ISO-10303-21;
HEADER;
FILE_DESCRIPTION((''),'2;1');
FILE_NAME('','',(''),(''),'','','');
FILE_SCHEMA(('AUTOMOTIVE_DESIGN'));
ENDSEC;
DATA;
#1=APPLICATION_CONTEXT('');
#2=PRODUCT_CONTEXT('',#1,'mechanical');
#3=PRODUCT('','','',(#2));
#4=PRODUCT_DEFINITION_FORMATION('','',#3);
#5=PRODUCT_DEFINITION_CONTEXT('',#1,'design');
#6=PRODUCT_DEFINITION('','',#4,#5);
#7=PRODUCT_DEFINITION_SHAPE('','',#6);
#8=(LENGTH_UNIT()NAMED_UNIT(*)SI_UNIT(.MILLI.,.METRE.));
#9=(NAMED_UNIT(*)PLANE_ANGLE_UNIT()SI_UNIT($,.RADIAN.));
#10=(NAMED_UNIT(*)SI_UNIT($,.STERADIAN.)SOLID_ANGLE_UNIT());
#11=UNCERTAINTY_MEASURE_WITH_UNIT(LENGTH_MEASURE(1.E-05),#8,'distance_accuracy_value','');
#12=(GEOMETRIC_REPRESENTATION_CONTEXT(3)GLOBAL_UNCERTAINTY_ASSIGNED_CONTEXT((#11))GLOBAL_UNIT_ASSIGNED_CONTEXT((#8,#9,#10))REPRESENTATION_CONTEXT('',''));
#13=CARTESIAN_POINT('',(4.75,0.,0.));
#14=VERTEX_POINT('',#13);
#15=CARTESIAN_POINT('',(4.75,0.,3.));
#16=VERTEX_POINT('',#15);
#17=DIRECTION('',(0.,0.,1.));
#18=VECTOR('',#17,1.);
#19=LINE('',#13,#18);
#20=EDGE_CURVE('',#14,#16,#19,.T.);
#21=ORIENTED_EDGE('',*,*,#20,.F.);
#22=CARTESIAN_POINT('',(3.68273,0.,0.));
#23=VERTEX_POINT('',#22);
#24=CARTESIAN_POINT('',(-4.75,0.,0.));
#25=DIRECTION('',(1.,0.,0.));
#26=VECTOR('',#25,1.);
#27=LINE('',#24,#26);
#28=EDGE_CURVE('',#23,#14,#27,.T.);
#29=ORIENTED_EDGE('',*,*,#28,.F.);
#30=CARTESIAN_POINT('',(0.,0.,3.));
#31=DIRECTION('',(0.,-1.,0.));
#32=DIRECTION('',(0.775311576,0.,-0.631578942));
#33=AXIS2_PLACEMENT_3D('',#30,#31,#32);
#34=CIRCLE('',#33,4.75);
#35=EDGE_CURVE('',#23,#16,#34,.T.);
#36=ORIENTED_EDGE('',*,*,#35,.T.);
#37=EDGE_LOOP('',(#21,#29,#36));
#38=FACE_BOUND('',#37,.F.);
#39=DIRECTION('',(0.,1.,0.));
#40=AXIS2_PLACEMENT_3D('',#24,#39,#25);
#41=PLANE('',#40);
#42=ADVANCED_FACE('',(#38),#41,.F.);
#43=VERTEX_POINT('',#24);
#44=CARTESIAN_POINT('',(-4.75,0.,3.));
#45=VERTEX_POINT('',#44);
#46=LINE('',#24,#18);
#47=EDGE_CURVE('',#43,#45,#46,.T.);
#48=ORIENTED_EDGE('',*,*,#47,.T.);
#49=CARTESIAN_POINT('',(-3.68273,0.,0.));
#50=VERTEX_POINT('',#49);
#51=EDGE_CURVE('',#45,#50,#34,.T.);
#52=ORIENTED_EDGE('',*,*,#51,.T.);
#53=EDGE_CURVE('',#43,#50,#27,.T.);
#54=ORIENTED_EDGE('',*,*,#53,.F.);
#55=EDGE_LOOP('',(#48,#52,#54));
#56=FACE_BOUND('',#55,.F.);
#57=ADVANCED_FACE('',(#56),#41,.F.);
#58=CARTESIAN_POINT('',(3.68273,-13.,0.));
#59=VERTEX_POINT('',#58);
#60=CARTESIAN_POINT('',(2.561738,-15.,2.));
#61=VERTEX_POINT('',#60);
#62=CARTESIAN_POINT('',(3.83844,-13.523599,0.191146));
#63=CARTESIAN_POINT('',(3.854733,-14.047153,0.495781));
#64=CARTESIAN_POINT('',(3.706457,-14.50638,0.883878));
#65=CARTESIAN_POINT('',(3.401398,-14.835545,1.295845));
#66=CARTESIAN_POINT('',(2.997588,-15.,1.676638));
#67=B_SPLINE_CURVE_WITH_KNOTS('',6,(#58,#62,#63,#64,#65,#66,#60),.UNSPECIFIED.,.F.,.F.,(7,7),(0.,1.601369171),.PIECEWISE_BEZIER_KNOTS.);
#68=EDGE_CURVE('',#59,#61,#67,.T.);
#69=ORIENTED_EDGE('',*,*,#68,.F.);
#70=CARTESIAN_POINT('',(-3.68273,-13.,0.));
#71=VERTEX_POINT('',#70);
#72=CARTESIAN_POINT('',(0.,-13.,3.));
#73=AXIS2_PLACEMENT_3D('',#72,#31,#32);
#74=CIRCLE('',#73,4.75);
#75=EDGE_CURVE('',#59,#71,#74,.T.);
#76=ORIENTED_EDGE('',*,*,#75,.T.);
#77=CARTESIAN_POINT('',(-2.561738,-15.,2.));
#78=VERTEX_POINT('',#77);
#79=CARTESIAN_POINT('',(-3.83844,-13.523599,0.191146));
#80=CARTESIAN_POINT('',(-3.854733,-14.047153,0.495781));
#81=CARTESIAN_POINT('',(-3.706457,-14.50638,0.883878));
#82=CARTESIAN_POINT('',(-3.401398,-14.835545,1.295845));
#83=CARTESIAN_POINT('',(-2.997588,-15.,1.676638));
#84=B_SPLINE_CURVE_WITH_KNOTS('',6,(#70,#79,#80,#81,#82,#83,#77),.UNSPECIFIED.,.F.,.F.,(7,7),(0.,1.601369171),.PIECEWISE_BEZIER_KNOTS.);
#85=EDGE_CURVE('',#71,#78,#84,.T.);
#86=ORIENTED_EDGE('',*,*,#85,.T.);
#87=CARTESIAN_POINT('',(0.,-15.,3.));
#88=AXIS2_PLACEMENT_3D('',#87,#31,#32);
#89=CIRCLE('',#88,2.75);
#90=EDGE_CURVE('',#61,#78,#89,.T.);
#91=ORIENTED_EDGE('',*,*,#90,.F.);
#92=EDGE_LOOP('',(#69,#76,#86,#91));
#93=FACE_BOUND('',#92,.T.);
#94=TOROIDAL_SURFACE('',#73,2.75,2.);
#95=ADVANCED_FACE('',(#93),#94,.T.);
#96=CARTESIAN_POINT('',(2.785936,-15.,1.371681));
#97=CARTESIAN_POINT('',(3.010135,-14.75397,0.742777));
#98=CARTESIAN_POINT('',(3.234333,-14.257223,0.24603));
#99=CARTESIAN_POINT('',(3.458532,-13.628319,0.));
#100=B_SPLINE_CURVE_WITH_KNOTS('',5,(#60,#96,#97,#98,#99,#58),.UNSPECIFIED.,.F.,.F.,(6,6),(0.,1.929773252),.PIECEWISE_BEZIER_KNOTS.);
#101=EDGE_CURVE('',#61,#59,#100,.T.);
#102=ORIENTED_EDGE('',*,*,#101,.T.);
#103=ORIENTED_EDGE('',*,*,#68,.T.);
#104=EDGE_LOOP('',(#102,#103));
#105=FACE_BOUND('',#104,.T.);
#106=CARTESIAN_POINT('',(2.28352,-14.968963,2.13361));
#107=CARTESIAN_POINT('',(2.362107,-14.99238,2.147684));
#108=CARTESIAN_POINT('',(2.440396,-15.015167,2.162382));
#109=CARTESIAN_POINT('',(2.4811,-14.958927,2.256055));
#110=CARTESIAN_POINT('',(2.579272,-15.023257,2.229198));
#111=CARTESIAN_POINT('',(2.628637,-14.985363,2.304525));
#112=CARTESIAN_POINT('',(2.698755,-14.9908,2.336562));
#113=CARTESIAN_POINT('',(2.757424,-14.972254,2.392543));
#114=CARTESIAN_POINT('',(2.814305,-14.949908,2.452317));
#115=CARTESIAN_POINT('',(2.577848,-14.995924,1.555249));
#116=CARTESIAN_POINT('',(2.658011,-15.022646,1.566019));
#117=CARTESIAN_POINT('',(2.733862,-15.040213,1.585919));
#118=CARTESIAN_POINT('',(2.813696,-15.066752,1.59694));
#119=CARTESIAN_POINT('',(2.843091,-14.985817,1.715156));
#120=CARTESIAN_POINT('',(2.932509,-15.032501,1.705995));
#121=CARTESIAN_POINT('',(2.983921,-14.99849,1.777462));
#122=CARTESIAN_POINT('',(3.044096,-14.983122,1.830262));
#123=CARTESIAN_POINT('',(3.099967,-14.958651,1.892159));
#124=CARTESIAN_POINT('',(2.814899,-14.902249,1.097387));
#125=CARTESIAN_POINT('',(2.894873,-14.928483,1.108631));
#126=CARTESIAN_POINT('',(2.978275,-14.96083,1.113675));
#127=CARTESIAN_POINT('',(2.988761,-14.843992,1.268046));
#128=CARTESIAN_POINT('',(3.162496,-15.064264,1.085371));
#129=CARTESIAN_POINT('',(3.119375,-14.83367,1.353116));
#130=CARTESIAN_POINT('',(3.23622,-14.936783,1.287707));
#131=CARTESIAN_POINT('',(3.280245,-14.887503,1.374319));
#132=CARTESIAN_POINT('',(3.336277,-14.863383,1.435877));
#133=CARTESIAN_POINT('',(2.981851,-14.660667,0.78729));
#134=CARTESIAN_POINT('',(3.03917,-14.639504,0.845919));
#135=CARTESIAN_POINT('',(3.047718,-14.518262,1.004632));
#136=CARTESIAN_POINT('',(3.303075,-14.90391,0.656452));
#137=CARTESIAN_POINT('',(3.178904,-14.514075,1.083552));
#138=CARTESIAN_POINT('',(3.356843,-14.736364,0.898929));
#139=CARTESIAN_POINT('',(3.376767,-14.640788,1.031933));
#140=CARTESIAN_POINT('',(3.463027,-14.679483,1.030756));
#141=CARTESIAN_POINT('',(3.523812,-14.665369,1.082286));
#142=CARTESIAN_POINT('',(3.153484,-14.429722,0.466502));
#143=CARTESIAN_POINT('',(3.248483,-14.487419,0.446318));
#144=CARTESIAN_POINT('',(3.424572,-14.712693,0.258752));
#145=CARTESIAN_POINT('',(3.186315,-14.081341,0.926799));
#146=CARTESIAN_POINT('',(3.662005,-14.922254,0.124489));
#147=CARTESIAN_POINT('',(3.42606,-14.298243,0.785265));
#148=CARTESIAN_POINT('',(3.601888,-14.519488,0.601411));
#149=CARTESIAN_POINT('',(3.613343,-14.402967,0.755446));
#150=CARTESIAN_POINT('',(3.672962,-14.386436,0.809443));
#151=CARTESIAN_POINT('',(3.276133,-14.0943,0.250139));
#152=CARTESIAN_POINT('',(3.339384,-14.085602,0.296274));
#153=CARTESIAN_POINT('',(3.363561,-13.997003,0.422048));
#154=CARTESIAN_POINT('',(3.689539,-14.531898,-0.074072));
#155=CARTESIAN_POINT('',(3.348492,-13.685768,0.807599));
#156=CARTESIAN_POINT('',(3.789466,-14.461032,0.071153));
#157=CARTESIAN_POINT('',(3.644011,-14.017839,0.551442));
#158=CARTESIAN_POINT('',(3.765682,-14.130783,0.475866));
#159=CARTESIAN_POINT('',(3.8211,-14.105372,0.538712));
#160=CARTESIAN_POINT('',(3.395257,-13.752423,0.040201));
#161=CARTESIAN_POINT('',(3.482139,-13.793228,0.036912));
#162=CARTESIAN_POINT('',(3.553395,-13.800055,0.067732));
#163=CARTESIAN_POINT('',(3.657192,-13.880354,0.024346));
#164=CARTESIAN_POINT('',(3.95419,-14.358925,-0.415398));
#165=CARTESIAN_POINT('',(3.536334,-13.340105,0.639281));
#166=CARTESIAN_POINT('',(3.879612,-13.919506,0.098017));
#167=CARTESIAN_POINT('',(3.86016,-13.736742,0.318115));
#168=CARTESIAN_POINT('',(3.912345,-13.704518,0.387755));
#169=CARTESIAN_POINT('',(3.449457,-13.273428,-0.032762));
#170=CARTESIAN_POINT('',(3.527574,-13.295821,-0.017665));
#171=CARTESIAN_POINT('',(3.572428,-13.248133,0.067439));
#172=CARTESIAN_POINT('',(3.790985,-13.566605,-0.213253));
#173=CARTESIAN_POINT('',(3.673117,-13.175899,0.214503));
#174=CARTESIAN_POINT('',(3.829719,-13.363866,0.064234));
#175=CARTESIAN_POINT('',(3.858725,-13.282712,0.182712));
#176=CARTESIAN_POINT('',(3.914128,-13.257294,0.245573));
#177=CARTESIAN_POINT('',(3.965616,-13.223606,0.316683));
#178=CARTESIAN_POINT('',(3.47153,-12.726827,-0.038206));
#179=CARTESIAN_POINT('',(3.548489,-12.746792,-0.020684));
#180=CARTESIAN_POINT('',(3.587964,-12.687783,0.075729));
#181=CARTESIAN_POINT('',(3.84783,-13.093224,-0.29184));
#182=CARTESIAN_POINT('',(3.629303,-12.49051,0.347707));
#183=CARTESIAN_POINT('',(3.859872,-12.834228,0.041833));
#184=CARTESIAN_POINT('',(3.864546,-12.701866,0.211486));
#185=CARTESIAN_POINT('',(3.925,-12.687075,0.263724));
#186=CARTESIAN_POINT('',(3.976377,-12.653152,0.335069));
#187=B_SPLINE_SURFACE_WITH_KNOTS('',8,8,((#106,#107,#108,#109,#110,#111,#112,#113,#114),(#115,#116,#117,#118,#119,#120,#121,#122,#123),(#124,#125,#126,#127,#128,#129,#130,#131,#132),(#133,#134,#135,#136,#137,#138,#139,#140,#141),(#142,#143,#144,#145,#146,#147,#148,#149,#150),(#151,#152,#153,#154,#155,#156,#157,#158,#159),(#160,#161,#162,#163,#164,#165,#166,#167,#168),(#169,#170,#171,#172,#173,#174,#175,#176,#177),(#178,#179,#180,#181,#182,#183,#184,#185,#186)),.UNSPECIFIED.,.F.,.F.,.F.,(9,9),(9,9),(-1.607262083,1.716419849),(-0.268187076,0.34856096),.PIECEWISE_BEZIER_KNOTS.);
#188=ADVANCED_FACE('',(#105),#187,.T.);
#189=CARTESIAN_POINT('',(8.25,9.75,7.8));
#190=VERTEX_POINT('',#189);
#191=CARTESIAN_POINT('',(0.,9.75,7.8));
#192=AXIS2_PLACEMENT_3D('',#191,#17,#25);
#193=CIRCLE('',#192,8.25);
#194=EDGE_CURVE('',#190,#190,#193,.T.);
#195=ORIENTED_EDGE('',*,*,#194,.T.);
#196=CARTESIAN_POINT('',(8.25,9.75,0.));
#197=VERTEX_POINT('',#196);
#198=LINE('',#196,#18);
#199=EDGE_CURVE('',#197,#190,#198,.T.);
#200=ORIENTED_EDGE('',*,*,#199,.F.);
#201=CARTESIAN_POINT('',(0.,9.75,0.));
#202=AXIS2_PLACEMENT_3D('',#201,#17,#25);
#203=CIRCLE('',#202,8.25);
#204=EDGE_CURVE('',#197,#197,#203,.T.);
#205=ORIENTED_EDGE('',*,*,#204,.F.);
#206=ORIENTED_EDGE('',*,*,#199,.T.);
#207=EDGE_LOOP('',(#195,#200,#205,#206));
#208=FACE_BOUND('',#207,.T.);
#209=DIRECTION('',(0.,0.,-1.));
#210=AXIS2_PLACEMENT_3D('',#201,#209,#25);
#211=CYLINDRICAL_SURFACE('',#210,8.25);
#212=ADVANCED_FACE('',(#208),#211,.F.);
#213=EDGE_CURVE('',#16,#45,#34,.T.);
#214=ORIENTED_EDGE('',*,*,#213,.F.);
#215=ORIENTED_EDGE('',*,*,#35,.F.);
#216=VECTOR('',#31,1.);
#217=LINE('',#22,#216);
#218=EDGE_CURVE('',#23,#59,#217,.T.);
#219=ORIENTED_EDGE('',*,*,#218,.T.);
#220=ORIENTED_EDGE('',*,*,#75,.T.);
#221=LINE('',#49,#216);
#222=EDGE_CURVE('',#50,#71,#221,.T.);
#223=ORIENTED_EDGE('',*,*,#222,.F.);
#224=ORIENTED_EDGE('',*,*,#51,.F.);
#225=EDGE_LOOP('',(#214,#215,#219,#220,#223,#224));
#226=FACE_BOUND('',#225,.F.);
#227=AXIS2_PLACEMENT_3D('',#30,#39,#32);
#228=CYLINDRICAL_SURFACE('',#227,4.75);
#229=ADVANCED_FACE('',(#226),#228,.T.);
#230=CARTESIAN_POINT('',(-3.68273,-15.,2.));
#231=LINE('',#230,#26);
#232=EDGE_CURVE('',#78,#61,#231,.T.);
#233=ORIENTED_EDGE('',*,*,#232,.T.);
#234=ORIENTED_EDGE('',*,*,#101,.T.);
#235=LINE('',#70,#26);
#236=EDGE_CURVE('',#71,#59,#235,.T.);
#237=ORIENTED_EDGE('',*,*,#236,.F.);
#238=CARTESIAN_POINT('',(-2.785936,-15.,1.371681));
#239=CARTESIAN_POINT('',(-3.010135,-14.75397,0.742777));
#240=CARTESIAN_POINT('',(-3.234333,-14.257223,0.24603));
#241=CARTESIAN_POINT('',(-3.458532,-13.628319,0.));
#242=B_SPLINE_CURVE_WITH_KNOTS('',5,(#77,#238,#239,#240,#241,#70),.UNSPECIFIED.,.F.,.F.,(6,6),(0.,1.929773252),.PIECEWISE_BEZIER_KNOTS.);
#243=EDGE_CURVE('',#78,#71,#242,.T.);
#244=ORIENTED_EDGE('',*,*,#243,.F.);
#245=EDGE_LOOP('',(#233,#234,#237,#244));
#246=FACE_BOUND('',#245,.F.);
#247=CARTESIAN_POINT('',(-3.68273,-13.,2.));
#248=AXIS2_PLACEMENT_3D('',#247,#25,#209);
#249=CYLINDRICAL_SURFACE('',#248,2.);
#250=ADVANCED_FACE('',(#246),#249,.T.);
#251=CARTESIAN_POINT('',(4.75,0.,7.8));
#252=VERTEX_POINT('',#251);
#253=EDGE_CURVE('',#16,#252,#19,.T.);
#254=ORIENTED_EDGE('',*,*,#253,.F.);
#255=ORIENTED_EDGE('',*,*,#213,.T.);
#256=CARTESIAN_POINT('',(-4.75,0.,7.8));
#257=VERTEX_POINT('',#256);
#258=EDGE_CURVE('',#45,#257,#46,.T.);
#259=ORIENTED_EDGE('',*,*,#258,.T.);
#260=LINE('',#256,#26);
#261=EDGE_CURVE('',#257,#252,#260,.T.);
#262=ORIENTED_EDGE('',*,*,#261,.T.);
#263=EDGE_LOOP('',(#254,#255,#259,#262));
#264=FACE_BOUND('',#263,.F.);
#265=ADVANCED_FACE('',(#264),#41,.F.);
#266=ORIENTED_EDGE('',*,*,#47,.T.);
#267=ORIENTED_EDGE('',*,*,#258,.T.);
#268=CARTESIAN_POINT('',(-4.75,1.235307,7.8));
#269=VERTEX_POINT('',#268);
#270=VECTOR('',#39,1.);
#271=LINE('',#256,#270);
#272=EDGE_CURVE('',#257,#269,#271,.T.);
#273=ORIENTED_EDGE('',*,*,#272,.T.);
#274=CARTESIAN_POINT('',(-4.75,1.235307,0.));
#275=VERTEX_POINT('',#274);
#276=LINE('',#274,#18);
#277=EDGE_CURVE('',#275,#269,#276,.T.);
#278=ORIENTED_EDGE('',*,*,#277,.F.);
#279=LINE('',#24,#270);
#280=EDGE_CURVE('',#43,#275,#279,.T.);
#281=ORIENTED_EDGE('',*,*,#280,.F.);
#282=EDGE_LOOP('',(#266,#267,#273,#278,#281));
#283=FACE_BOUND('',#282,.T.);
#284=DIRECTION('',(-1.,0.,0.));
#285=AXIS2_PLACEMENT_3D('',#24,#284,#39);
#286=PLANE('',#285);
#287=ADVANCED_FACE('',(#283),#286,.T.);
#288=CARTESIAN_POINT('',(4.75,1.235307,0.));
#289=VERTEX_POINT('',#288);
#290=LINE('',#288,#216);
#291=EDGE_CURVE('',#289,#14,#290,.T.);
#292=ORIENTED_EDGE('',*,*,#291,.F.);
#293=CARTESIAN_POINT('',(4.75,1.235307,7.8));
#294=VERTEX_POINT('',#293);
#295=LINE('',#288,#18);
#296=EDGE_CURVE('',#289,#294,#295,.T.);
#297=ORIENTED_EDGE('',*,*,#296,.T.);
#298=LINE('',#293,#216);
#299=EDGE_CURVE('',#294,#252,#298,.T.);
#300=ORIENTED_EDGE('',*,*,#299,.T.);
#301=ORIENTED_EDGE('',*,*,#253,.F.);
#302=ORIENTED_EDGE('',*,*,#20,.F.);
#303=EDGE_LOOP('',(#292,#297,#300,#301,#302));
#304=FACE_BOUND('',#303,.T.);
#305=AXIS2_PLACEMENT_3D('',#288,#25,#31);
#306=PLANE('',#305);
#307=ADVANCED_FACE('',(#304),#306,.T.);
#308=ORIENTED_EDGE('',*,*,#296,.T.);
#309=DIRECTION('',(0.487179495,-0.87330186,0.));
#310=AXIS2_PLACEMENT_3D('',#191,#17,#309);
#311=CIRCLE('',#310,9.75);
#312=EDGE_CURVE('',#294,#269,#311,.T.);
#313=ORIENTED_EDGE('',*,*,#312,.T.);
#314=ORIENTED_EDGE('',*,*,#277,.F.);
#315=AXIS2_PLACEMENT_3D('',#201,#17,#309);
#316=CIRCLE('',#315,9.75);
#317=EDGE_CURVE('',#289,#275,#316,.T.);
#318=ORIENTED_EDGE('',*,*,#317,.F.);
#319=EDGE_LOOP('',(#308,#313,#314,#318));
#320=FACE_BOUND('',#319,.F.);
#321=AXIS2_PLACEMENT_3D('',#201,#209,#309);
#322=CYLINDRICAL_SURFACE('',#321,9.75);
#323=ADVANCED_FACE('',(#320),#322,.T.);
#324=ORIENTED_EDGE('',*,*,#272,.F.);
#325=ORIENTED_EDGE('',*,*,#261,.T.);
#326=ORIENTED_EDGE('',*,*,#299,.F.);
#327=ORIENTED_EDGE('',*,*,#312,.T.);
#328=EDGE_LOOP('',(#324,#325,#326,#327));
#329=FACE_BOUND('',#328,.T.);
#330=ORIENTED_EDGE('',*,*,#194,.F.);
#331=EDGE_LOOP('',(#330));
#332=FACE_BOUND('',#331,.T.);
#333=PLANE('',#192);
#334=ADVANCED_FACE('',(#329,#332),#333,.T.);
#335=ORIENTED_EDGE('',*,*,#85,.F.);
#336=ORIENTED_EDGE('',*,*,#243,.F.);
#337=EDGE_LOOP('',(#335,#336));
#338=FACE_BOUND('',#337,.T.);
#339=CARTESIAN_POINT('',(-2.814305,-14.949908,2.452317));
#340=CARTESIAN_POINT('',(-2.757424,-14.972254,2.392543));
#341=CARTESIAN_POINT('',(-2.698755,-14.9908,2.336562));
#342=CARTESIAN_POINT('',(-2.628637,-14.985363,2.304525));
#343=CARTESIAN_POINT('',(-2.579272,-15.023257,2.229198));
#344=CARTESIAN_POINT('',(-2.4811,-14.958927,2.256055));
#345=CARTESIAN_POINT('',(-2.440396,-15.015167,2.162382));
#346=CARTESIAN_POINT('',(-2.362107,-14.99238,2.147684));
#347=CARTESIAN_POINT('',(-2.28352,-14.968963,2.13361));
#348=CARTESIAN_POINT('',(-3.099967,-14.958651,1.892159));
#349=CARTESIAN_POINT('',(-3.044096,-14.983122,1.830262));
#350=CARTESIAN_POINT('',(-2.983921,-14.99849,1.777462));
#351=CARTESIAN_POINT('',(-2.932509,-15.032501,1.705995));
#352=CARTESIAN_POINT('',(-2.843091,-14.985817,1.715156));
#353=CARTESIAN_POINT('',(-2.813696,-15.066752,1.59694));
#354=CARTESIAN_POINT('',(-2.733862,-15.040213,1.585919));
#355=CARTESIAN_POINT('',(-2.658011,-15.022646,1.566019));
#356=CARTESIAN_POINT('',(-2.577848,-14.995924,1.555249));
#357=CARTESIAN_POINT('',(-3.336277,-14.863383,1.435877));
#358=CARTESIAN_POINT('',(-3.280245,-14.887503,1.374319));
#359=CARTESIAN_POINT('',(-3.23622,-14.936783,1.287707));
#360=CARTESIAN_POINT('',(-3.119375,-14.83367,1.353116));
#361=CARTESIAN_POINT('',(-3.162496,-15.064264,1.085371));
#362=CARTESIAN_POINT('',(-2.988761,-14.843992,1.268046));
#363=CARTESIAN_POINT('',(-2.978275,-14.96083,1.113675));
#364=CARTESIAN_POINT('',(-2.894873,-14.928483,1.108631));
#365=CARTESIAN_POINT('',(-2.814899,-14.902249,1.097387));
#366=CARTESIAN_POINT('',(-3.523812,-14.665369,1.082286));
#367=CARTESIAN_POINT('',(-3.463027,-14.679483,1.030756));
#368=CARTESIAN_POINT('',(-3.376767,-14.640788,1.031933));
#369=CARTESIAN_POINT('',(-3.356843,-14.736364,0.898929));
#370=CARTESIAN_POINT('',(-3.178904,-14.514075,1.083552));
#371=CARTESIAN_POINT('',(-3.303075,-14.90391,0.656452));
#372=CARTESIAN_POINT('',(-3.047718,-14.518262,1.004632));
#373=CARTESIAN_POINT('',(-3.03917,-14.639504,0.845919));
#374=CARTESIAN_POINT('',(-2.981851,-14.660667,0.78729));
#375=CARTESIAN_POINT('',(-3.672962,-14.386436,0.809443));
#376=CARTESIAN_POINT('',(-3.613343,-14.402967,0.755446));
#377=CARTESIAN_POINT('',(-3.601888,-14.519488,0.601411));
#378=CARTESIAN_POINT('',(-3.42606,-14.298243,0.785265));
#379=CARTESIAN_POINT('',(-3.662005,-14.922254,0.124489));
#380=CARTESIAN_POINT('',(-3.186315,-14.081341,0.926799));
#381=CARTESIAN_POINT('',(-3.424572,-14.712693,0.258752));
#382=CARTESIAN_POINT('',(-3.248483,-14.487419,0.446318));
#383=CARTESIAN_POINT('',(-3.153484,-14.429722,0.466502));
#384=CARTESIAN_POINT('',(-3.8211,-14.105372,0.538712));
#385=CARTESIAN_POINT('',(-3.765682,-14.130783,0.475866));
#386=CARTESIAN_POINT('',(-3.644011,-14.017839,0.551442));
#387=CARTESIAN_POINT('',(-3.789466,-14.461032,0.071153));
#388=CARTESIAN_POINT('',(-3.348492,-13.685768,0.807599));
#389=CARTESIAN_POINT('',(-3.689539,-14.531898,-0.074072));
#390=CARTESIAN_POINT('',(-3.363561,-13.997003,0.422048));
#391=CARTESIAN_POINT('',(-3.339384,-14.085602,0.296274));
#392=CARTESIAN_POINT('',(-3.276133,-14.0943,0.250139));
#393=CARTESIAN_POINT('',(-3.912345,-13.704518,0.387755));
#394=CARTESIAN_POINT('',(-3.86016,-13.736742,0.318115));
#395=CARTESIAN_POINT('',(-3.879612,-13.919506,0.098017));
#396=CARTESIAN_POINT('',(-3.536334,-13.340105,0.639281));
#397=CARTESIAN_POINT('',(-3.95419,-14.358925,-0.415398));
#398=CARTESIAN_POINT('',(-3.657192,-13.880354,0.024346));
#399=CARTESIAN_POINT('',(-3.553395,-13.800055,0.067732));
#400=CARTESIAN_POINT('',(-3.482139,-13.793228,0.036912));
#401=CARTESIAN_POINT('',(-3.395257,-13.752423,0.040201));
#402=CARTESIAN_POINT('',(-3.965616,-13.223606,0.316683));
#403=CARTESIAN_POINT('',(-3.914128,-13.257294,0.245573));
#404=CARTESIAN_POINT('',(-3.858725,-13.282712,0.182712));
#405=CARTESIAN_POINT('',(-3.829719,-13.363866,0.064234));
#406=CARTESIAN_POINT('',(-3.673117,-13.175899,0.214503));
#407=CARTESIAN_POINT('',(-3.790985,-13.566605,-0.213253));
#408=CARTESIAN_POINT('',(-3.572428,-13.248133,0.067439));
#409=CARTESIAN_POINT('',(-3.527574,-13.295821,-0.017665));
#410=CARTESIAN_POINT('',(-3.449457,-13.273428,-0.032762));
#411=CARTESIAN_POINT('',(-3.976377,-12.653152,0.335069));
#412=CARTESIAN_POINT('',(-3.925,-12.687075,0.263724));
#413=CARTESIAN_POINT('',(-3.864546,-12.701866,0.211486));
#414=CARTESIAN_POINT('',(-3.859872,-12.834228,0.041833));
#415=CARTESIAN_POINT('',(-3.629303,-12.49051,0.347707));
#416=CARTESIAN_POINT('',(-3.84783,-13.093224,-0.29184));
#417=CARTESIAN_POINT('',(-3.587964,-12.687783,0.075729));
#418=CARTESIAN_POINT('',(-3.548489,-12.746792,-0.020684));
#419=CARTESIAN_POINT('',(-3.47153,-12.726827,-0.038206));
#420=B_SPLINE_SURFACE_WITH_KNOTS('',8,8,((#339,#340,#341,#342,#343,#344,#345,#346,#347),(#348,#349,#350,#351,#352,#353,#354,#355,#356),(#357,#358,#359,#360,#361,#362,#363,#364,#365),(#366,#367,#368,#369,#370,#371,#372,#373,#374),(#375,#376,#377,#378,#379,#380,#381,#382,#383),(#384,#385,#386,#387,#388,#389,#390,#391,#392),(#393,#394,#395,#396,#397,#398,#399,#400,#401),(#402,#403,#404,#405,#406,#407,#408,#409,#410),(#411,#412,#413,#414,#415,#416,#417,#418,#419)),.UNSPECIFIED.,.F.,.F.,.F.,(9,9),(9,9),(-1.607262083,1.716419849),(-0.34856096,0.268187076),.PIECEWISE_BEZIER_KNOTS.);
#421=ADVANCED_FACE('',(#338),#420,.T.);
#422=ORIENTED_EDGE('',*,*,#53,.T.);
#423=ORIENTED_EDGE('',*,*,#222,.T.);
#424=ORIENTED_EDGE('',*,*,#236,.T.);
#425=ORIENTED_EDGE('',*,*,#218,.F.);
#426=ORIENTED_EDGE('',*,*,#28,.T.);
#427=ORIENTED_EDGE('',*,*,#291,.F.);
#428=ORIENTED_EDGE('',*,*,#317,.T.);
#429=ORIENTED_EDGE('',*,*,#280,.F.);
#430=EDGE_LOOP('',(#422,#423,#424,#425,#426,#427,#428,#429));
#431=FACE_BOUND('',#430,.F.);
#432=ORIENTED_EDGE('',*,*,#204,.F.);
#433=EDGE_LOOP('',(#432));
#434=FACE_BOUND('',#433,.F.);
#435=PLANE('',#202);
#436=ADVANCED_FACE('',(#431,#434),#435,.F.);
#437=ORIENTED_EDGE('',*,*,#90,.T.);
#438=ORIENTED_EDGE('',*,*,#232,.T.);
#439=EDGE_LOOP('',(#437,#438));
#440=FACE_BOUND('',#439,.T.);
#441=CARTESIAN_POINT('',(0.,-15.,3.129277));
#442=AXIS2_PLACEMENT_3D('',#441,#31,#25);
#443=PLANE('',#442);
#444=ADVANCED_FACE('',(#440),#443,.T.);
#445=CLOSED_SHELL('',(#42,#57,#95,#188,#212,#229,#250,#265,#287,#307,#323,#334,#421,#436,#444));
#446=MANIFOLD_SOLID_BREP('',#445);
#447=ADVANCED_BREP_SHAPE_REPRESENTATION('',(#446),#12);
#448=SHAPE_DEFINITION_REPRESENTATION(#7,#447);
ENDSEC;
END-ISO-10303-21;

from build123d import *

# Parameters (mm, degrees)
PAD_DEPTH     = 15
SKETCH001_R   = 9.75
SKETCH001_R_2 = 8.25
PAD001_DEPTH  = 7.8
FILLET_R      = 2


with BuildPart() as part:
    # Sketch → Pad (new body)
    with BuildSketch(Plane.XZ):
        with BuildLine():
            ThreePointArc((3.68273, 0), (0, 7.75), (-3.68273, 0))
            Line((-3.68273, 0), (3.68273, 0))
        make_face()
    extrude(amount=PAD_DEPTH)

    # Sketch001 → Pad001 (join)
    with BuildSketch(Plane.XY):
        with Locations((0, 9.75)):
            Circle(SKETCH001_R)
        with Locations((0, 9.75)):
            Circle(SKETCH001_R_2, mode=Mode.SUBTRACT)
        Polygon((-4.75, 0), (-4.75, 1.235307), (0, 0), (4.75, 1.235307), (4.75, 0), align=None)
    extrude(amount=PAD001_DEPTH)

    # Fillet
    fillet_edges = [part.edges().sort_by_distance(p)[0] for p in [
        (0, -15, 7.75),
        (0, -15, 0),
    ]]
    fillet(fillet_edges, radius=FILLET_R)


solid = part.part
